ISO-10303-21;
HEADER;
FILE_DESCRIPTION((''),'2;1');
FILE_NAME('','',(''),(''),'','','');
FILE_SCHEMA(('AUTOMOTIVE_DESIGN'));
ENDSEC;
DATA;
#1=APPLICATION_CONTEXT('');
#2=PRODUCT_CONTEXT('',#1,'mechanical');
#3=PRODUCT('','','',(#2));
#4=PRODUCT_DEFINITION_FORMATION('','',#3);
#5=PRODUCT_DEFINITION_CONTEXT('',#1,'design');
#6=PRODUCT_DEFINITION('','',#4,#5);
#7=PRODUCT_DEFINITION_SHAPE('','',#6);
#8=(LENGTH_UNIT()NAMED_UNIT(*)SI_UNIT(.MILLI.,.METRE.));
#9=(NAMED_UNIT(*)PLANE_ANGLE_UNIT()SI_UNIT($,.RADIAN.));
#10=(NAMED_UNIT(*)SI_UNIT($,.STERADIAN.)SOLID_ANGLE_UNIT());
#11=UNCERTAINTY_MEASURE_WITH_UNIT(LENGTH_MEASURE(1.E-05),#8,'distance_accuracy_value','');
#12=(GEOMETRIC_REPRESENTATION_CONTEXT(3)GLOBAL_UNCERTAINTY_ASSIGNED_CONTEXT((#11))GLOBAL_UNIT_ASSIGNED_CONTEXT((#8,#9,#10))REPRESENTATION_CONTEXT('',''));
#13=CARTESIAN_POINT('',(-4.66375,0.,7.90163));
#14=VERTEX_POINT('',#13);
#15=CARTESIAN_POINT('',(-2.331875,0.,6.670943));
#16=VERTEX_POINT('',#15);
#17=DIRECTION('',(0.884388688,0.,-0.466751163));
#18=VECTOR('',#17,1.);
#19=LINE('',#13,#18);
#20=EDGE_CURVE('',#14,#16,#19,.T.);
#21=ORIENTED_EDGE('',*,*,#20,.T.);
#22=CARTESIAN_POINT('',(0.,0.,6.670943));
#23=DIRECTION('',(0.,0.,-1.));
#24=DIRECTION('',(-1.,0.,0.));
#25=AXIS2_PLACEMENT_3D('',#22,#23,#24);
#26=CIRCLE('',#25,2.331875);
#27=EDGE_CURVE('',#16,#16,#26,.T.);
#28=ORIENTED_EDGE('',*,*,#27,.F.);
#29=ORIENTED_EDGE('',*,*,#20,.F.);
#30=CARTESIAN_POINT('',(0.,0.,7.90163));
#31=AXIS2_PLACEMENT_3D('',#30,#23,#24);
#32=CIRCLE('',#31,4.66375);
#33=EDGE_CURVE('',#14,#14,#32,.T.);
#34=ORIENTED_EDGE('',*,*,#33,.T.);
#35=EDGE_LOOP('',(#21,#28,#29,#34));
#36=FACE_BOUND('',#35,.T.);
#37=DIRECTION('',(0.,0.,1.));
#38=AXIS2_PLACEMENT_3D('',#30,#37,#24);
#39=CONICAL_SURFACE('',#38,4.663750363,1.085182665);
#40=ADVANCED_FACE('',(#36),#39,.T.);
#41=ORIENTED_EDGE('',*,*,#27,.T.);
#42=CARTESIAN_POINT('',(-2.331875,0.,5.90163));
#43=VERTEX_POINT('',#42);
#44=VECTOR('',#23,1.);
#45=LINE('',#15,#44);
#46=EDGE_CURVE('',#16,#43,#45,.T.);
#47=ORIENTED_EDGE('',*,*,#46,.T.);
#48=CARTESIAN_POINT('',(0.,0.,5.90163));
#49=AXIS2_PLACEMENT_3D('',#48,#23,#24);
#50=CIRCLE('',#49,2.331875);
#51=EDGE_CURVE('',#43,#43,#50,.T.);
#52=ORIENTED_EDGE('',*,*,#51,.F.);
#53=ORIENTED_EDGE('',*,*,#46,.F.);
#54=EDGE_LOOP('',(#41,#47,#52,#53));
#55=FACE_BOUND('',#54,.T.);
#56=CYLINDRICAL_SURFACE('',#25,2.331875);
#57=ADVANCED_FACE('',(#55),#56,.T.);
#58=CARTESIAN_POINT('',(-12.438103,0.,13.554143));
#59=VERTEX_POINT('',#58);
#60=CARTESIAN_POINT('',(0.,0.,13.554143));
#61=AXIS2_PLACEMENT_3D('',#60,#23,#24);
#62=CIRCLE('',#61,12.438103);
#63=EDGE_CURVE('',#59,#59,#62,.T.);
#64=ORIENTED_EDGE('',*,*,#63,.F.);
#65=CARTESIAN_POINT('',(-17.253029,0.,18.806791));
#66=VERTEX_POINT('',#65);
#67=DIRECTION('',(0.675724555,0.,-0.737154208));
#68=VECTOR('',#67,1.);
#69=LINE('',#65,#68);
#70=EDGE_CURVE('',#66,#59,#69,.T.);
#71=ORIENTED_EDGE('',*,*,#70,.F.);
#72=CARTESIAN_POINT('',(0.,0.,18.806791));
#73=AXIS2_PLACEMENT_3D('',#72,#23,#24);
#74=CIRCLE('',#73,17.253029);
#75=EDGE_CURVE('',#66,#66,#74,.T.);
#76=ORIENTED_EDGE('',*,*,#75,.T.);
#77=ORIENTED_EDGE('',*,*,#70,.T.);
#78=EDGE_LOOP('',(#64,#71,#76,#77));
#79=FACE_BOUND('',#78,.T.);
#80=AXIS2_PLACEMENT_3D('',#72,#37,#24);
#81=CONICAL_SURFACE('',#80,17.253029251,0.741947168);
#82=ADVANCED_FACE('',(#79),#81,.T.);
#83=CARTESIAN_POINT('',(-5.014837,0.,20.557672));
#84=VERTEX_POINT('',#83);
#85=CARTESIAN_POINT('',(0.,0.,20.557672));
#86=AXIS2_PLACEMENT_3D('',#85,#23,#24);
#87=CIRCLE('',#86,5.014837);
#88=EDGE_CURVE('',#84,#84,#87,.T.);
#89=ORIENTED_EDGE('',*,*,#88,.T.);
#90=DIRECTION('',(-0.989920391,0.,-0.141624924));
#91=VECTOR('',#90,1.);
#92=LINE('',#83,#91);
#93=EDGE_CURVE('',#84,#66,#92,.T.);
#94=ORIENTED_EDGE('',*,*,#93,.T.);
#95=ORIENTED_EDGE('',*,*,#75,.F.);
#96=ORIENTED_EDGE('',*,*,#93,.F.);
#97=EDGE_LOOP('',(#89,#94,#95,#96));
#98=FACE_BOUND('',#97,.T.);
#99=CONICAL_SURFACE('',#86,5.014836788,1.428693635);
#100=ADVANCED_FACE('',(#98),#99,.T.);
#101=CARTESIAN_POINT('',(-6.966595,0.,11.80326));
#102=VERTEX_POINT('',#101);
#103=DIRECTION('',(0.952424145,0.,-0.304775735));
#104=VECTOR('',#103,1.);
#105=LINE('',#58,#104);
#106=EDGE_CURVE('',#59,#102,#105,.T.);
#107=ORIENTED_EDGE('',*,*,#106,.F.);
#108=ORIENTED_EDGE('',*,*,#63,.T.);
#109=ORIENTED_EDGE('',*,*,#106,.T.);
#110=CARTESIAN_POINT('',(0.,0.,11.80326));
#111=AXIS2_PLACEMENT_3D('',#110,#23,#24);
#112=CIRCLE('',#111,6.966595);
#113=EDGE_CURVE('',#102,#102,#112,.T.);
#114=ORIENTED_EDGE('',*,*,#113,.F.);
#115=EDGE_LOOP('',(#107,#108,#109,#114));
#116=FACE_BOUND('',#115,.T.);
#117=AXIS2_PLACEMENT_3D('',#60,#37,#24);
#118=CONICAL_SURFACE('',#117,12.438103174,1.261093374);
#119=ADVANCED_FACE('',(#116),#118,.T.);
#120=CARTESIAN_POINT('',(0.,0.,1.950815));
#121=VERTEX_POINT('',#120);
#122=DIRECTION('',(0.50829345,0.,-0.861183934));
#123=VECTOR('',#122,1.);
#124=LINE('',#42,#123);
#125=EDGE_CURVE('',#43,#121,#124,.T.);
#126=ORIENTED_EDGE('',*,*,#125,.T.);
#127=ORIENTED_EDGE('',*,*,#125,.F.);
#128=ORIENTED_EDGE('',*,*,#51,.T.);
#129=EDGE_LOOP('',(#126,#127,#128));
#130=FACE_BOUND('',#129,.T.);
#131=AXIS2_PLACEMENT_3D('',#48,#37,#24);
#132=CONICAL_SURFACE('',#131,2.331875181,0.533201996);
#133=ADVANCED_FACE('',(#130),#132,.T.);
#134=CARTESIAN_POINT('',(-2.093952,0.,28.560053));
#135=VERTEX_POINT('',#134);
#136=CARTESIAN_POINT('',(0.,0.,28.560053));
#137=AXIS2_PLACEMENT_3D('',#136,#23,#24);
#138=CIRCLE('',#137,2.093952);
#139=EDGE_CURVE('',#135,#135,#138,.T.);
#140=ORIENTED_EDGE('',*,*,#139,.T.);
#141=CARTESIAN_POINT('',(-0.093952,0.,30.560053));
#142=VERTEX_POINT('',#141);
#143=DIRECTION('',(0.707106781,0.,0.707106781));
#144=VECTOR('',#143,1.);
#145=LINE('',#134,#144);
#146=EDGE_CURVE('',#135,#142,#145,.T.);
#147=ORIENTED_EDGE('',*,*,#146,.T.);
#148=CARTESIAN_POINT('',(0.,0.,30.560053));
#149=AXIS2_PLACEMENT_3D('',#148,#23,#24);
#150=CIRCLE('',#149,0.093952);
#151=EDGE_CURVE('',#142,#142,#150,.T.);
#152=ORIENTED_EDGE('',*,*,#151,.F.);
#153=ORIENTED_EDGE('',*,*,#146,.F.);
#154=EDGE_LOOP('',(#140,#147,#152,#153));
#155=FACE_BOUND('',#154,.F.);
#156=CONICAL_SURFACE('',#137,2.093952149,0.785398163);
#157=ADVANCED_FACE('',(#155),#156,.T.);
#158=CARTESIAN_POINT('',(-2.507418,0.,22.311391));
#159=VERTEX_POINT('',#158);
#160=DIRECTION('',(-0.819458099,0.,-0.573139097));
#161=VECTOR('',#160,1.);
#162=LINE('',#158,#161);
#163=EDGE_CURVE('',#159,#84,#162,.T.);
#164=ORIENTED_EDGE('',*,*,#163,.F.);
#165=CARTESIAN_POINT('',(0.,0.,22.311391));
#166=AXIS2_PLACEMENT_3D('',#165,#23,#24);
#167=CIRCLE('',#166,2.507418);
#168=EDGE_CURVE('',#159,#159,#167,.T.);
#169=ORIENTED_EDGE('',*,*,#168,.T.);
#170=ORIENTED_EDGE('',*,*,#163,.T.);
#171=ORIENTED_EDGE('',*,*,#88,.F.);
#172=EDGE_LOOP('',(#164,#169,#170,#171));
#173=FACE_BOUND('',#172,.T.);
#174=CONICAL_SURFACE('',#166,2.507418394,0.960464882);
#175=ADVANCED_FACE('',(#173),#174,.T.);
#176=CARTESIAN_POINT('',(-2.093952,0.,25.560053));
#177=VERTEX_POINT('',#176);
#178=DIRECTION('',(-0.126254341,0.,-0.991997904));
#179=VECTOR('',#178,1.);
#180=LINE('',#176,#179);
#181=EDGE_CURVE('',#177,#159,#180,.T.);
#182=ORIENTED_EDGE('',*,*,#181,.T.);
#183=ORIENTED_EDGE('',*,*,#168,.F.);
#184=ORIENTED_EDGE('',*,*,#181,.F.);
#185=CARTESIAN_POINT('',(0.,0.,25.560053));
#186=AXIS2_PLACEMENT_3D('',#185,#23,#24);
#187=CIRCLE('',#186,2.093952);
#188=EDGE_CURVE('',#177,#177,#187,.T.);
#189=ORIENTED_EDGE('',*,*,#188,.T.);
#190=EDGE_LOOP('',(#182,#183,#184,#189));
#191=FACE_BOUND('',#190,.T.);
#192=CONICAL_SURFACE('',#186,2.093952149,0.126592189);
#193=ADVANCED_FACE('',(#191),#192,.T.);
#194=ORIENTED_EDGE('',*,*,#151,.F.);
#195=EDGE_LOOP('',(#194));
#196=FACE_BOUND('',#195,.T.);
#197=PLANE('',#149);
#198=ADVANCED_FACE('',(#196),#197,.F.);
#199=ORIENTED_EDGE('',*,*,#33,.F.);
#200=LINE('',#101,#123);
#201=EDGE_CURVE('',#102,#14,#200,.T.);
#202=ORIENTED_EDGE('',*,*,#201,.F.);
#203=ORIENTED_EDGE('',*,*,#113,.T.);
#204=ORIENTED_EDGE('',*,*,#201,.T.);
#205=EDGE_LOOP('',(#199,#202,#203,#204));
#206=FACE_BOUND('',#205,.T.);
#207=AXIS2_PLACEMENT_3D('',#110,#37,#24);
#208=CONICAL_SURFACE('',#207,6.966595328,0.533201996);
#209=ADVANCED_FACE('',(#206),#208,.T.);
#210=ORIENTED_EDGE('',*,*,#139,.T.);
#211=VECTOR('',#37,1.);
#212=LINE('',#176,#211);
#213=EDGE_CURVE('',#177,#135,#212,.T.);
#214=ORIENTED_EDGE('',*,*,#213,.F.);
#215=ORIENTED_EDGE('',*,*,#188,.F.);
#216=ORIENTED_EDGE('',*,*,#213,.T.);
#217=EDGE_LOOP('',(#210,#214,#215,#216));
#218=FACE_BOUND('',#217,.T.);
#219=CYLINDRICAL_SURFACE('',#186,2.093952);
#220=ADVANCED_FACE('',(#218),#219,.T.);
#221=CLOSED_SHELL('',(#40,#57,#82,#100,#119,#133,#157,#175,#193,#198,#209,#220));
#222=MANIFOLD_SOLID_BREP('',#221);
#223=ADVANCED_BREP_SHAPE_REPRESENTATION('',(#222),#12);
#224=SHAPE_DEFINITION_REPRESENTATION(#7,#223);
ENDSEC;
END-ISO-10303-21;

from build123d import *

# Parameters (mm, degrees)
F2_DEPTH = 5
F3_SIZE  = 2


with BuildPart() as f1:
    # F0 (on Front) → F1 (revolve)
    with BuildSketch(Plane.XZ):
        Polygon((-6.9665953279, 11.8032604518), (-4.6637503628, 7.9016302259), (-1.741648832, 7.9016302259), (0, 7.9016302259), (0, 20.5576719715), (-5.0148367882, 20.5576719715), (-17.2530292513, 18.8067907016), (-12.438103174, 13.5541430143), align=None)
        Polygon((-5.0148367882, 20.5576719715), (0, 20.5576719715), (0, 25.5600530654), (-2.0939521492, 25.5600530654), (-2.5074183941, 22.3113913089), align=None)
        Polygon((-1.741648832, 7.9016302259), (-4.6637503628, 7.9016302259), (-2.3318751814, 6.6709434614), (-2.3318751814, 5.9016302259), (0, 5.9016302259), (0, 7.9016302259), align=None)
        Polygon((-2.3318751814, 5.9016302259), (0, 1.9508151129), (0, 5.9016302259), align=None)
    revolve(axis=Axis((0, 0, 10.2788359857), (0, 0, -1)))

    # F2 (add): a face of the model
    f2_faces = [f1.faces().sort_by_distance(p)[0] for p in [
        (0, 0, 25.5600530654),
    ]]
    extrude(f2_faces, amount=F2_DEPTH)

    # F3
    f3_edges = [f1.edges().sort_by_distance(p)[0] for p in [
        (2.093952, 0, 30.560053),
    ]]
    chamfer(f3_edges, length=F3_SIZE)


solid = f1.part
